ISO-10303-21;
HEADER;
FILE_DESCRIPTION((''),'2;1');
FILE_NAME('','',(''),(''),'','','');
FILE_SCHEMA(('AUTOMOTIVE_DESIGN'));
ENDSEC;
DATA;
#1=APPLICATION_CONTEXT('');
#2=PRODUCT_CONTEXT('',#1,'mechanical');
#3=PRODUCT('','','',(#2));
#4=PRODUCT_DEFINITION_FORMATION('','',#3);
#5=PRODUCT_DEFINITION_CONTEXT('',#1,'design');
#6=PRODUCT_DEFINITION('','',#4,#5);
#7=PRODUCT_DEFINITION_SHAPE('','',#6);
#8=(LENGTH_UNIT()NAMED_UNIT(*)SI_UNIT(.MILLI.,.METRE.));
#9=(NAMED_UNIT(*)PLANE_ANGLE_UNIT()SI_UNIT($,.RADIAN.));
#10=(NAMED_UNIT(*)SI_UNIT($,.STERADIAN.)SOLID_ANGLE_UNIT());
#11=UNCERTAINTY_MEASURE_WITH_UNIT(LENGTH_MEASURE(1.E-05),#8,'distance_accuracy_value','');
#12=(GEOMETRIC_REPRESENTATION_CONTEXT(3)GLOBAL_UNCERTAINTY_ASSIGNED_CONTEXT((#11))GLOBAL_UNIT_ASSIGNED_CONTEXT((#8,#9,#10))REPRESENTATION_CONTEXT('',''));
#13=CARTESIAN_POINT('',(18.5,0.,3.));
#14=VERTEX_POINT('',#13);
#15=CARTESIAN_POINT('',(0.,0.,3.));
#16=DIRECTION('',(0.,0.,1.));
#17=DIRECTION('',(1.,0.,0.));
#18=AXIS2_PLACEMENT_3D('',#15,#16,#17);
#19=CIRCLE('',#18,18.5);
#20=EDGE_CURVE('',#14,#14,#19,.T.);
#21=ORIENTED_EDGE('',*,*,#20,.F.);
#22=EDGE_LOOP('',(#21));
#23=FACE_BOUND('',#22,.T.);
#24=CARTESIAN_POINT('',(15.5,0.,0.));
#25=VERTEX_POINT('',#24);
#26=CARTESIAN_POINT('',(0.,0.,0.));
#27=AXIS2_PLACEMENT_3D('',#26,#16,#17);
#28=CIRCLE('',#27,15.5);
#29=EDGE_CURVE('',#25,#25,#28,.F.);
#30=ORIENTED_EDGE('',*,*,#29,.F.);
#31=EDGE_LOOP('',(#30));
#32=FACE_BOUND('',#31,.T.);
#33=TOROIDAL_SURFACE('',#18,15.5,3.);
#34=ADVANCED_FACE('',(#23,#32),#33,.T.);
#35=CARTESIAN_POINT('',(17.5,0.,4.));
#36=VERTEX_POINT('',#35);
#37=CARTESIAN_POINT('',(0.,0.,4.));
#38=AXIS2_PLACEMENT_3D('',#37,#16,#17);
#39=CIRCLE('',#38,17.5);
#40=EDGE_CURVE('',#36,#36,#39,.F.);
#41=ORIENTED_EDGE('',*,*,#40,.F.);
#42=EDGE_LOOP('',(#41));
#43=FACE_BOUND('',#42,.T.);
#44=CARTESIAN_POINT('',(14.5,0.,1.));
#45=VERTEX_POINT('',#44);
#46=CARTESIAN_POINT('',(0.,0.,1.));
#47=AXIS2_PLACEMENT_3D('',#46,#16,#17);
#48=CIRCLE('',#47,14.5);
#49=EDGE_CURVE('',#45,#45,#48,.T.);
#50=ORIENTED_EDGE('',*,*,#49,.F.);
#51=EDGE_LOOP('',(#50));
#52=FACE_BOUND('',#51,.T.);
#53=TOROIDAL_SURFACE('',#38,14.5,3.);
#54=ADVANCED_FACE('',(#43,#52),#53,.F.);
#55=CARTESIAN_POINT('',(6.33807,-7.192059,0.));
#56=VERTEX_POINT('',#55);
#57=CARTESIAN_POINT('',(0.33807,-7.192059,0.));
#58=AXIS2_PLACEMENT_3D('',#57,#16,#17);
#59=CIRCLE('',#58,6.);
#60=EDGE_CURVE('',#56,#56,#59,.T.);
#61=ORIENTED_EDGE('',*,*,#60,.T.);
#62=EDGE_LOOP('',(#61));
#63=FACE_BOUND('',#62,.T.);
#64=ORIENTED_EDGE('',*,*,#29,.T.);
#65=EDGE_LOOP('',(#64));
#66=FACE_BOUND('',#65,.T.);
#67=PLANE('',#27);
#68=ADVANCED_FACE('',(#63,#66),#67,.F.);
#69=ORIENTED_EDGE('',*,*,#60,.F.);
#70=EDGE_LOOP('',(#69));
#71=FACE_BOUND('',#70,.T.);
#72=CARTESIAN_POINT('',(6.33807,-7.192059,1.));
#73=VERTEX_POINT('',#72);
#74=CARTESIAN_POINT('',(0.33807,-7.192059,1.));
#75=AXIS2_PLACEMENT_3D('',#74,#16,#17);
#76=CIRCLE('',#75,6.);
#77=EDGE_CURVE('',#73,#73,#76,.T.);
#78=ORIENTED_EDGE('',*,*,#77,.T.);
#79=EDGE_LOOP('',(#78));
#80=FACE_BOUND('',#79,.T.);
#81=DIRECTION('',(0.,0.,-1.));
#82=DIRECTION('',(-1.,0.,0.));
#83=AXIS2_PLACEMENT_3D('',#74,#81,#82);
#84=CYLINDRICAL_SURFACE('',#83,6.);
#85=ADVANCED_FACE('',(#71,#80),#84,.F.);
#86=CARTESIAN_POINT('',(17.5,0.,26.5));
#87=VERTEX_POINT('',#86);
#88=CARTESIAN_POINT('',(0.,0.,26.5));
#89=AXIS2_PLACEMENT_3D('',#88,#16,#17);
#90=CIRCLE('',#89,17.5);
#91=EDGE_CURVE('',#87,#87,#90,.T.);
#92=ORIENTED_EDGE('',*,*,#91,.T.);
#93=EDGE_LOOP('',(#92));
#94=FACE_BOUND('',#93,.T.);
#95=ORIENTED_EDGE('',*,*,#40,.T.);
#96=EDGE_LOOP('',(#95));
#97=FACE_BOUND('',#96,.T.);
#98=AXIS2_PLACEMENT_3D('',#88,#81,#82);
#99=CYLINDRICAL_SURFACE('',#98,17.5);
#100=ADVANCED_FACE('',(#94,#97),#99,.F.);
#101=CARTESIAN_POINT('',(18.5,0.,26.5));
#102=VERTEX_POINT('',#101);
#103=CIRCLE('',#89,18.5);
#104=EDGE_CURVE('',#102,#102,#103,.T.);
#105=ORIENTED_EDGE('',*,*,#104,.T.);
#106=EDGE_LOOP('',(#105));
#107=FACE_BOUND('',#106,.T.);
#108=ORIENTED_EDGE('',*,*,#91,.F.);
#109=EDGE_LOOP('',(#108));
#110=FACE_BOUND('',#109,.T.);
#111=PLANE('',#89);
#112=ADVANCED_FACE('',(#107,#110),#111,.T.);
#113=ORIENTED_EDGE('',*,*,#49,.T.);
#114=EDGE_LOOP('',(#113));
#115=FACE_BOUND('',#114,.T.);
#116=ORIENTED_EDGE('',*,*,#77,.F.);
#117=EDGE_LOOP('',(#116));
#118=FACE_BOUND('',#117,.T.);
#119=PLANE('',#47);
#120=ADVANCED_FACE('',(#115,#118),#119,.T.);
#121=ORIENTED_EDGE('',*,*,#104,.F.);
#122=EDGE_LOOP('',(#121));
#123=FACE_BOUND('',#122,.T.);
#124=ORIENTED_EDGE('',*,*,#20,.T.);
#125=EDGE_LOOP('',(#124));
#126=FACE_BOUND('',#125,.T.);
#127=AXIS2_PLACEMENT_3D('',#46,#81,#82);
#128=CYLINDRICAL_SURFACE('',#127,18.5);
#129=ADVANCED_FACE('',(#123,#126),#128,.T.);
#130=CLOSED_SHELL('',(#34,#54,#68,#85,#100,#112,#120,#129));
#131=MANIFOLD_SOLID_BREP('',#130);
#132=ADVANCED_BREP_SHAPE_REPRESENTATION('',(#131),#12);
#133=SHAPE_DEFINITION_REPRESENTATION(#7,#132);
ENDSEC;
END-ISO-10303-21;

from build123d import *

# Parameters (mm, degrees)
SKETCH1_R      = 18.5
SKETCH1_R_2    = 6
EXTRUDE1_DEPTH = 1
SKETCH2_R      = 18.5
SKETCH2_R_2    = 17.5
EXTRUDE2_DEPTH = 25.5
FILLET1_R      = 3


with BuildPart() as part:
    # Sketch1 → Extrude1 (new body)
    with BuildSketch(Plane.XY):
        Circle(SKETCH1_R)
        with Locations((0.338070115, -7.192058718)):
            Circle(SKETCH1_R_2, mode=Mode.SUBTRACT)
    extrude(amount=EXTRUDE1_DEPTH)

    # Sketch2 → Extrude2 (add)
    with BuildSketch(Plane.XY.offset(1)):
        Circle(SKETCH2_R)
        Circle(SKETCH2_R_2, mode=Mode.SUBTRACT)
    extrude(amount=EXTRUDE2_DEPTH)

    # Fillet1
    fillet1_edges = [part.edges().sort_by_distance(p)[0] for p in [
        (-18.5, 0, 0),
        (-17.5, 0, 1),
    ]]
    fillet(fillet1_edges, radius=FILLET1_R)


solid = part.part
